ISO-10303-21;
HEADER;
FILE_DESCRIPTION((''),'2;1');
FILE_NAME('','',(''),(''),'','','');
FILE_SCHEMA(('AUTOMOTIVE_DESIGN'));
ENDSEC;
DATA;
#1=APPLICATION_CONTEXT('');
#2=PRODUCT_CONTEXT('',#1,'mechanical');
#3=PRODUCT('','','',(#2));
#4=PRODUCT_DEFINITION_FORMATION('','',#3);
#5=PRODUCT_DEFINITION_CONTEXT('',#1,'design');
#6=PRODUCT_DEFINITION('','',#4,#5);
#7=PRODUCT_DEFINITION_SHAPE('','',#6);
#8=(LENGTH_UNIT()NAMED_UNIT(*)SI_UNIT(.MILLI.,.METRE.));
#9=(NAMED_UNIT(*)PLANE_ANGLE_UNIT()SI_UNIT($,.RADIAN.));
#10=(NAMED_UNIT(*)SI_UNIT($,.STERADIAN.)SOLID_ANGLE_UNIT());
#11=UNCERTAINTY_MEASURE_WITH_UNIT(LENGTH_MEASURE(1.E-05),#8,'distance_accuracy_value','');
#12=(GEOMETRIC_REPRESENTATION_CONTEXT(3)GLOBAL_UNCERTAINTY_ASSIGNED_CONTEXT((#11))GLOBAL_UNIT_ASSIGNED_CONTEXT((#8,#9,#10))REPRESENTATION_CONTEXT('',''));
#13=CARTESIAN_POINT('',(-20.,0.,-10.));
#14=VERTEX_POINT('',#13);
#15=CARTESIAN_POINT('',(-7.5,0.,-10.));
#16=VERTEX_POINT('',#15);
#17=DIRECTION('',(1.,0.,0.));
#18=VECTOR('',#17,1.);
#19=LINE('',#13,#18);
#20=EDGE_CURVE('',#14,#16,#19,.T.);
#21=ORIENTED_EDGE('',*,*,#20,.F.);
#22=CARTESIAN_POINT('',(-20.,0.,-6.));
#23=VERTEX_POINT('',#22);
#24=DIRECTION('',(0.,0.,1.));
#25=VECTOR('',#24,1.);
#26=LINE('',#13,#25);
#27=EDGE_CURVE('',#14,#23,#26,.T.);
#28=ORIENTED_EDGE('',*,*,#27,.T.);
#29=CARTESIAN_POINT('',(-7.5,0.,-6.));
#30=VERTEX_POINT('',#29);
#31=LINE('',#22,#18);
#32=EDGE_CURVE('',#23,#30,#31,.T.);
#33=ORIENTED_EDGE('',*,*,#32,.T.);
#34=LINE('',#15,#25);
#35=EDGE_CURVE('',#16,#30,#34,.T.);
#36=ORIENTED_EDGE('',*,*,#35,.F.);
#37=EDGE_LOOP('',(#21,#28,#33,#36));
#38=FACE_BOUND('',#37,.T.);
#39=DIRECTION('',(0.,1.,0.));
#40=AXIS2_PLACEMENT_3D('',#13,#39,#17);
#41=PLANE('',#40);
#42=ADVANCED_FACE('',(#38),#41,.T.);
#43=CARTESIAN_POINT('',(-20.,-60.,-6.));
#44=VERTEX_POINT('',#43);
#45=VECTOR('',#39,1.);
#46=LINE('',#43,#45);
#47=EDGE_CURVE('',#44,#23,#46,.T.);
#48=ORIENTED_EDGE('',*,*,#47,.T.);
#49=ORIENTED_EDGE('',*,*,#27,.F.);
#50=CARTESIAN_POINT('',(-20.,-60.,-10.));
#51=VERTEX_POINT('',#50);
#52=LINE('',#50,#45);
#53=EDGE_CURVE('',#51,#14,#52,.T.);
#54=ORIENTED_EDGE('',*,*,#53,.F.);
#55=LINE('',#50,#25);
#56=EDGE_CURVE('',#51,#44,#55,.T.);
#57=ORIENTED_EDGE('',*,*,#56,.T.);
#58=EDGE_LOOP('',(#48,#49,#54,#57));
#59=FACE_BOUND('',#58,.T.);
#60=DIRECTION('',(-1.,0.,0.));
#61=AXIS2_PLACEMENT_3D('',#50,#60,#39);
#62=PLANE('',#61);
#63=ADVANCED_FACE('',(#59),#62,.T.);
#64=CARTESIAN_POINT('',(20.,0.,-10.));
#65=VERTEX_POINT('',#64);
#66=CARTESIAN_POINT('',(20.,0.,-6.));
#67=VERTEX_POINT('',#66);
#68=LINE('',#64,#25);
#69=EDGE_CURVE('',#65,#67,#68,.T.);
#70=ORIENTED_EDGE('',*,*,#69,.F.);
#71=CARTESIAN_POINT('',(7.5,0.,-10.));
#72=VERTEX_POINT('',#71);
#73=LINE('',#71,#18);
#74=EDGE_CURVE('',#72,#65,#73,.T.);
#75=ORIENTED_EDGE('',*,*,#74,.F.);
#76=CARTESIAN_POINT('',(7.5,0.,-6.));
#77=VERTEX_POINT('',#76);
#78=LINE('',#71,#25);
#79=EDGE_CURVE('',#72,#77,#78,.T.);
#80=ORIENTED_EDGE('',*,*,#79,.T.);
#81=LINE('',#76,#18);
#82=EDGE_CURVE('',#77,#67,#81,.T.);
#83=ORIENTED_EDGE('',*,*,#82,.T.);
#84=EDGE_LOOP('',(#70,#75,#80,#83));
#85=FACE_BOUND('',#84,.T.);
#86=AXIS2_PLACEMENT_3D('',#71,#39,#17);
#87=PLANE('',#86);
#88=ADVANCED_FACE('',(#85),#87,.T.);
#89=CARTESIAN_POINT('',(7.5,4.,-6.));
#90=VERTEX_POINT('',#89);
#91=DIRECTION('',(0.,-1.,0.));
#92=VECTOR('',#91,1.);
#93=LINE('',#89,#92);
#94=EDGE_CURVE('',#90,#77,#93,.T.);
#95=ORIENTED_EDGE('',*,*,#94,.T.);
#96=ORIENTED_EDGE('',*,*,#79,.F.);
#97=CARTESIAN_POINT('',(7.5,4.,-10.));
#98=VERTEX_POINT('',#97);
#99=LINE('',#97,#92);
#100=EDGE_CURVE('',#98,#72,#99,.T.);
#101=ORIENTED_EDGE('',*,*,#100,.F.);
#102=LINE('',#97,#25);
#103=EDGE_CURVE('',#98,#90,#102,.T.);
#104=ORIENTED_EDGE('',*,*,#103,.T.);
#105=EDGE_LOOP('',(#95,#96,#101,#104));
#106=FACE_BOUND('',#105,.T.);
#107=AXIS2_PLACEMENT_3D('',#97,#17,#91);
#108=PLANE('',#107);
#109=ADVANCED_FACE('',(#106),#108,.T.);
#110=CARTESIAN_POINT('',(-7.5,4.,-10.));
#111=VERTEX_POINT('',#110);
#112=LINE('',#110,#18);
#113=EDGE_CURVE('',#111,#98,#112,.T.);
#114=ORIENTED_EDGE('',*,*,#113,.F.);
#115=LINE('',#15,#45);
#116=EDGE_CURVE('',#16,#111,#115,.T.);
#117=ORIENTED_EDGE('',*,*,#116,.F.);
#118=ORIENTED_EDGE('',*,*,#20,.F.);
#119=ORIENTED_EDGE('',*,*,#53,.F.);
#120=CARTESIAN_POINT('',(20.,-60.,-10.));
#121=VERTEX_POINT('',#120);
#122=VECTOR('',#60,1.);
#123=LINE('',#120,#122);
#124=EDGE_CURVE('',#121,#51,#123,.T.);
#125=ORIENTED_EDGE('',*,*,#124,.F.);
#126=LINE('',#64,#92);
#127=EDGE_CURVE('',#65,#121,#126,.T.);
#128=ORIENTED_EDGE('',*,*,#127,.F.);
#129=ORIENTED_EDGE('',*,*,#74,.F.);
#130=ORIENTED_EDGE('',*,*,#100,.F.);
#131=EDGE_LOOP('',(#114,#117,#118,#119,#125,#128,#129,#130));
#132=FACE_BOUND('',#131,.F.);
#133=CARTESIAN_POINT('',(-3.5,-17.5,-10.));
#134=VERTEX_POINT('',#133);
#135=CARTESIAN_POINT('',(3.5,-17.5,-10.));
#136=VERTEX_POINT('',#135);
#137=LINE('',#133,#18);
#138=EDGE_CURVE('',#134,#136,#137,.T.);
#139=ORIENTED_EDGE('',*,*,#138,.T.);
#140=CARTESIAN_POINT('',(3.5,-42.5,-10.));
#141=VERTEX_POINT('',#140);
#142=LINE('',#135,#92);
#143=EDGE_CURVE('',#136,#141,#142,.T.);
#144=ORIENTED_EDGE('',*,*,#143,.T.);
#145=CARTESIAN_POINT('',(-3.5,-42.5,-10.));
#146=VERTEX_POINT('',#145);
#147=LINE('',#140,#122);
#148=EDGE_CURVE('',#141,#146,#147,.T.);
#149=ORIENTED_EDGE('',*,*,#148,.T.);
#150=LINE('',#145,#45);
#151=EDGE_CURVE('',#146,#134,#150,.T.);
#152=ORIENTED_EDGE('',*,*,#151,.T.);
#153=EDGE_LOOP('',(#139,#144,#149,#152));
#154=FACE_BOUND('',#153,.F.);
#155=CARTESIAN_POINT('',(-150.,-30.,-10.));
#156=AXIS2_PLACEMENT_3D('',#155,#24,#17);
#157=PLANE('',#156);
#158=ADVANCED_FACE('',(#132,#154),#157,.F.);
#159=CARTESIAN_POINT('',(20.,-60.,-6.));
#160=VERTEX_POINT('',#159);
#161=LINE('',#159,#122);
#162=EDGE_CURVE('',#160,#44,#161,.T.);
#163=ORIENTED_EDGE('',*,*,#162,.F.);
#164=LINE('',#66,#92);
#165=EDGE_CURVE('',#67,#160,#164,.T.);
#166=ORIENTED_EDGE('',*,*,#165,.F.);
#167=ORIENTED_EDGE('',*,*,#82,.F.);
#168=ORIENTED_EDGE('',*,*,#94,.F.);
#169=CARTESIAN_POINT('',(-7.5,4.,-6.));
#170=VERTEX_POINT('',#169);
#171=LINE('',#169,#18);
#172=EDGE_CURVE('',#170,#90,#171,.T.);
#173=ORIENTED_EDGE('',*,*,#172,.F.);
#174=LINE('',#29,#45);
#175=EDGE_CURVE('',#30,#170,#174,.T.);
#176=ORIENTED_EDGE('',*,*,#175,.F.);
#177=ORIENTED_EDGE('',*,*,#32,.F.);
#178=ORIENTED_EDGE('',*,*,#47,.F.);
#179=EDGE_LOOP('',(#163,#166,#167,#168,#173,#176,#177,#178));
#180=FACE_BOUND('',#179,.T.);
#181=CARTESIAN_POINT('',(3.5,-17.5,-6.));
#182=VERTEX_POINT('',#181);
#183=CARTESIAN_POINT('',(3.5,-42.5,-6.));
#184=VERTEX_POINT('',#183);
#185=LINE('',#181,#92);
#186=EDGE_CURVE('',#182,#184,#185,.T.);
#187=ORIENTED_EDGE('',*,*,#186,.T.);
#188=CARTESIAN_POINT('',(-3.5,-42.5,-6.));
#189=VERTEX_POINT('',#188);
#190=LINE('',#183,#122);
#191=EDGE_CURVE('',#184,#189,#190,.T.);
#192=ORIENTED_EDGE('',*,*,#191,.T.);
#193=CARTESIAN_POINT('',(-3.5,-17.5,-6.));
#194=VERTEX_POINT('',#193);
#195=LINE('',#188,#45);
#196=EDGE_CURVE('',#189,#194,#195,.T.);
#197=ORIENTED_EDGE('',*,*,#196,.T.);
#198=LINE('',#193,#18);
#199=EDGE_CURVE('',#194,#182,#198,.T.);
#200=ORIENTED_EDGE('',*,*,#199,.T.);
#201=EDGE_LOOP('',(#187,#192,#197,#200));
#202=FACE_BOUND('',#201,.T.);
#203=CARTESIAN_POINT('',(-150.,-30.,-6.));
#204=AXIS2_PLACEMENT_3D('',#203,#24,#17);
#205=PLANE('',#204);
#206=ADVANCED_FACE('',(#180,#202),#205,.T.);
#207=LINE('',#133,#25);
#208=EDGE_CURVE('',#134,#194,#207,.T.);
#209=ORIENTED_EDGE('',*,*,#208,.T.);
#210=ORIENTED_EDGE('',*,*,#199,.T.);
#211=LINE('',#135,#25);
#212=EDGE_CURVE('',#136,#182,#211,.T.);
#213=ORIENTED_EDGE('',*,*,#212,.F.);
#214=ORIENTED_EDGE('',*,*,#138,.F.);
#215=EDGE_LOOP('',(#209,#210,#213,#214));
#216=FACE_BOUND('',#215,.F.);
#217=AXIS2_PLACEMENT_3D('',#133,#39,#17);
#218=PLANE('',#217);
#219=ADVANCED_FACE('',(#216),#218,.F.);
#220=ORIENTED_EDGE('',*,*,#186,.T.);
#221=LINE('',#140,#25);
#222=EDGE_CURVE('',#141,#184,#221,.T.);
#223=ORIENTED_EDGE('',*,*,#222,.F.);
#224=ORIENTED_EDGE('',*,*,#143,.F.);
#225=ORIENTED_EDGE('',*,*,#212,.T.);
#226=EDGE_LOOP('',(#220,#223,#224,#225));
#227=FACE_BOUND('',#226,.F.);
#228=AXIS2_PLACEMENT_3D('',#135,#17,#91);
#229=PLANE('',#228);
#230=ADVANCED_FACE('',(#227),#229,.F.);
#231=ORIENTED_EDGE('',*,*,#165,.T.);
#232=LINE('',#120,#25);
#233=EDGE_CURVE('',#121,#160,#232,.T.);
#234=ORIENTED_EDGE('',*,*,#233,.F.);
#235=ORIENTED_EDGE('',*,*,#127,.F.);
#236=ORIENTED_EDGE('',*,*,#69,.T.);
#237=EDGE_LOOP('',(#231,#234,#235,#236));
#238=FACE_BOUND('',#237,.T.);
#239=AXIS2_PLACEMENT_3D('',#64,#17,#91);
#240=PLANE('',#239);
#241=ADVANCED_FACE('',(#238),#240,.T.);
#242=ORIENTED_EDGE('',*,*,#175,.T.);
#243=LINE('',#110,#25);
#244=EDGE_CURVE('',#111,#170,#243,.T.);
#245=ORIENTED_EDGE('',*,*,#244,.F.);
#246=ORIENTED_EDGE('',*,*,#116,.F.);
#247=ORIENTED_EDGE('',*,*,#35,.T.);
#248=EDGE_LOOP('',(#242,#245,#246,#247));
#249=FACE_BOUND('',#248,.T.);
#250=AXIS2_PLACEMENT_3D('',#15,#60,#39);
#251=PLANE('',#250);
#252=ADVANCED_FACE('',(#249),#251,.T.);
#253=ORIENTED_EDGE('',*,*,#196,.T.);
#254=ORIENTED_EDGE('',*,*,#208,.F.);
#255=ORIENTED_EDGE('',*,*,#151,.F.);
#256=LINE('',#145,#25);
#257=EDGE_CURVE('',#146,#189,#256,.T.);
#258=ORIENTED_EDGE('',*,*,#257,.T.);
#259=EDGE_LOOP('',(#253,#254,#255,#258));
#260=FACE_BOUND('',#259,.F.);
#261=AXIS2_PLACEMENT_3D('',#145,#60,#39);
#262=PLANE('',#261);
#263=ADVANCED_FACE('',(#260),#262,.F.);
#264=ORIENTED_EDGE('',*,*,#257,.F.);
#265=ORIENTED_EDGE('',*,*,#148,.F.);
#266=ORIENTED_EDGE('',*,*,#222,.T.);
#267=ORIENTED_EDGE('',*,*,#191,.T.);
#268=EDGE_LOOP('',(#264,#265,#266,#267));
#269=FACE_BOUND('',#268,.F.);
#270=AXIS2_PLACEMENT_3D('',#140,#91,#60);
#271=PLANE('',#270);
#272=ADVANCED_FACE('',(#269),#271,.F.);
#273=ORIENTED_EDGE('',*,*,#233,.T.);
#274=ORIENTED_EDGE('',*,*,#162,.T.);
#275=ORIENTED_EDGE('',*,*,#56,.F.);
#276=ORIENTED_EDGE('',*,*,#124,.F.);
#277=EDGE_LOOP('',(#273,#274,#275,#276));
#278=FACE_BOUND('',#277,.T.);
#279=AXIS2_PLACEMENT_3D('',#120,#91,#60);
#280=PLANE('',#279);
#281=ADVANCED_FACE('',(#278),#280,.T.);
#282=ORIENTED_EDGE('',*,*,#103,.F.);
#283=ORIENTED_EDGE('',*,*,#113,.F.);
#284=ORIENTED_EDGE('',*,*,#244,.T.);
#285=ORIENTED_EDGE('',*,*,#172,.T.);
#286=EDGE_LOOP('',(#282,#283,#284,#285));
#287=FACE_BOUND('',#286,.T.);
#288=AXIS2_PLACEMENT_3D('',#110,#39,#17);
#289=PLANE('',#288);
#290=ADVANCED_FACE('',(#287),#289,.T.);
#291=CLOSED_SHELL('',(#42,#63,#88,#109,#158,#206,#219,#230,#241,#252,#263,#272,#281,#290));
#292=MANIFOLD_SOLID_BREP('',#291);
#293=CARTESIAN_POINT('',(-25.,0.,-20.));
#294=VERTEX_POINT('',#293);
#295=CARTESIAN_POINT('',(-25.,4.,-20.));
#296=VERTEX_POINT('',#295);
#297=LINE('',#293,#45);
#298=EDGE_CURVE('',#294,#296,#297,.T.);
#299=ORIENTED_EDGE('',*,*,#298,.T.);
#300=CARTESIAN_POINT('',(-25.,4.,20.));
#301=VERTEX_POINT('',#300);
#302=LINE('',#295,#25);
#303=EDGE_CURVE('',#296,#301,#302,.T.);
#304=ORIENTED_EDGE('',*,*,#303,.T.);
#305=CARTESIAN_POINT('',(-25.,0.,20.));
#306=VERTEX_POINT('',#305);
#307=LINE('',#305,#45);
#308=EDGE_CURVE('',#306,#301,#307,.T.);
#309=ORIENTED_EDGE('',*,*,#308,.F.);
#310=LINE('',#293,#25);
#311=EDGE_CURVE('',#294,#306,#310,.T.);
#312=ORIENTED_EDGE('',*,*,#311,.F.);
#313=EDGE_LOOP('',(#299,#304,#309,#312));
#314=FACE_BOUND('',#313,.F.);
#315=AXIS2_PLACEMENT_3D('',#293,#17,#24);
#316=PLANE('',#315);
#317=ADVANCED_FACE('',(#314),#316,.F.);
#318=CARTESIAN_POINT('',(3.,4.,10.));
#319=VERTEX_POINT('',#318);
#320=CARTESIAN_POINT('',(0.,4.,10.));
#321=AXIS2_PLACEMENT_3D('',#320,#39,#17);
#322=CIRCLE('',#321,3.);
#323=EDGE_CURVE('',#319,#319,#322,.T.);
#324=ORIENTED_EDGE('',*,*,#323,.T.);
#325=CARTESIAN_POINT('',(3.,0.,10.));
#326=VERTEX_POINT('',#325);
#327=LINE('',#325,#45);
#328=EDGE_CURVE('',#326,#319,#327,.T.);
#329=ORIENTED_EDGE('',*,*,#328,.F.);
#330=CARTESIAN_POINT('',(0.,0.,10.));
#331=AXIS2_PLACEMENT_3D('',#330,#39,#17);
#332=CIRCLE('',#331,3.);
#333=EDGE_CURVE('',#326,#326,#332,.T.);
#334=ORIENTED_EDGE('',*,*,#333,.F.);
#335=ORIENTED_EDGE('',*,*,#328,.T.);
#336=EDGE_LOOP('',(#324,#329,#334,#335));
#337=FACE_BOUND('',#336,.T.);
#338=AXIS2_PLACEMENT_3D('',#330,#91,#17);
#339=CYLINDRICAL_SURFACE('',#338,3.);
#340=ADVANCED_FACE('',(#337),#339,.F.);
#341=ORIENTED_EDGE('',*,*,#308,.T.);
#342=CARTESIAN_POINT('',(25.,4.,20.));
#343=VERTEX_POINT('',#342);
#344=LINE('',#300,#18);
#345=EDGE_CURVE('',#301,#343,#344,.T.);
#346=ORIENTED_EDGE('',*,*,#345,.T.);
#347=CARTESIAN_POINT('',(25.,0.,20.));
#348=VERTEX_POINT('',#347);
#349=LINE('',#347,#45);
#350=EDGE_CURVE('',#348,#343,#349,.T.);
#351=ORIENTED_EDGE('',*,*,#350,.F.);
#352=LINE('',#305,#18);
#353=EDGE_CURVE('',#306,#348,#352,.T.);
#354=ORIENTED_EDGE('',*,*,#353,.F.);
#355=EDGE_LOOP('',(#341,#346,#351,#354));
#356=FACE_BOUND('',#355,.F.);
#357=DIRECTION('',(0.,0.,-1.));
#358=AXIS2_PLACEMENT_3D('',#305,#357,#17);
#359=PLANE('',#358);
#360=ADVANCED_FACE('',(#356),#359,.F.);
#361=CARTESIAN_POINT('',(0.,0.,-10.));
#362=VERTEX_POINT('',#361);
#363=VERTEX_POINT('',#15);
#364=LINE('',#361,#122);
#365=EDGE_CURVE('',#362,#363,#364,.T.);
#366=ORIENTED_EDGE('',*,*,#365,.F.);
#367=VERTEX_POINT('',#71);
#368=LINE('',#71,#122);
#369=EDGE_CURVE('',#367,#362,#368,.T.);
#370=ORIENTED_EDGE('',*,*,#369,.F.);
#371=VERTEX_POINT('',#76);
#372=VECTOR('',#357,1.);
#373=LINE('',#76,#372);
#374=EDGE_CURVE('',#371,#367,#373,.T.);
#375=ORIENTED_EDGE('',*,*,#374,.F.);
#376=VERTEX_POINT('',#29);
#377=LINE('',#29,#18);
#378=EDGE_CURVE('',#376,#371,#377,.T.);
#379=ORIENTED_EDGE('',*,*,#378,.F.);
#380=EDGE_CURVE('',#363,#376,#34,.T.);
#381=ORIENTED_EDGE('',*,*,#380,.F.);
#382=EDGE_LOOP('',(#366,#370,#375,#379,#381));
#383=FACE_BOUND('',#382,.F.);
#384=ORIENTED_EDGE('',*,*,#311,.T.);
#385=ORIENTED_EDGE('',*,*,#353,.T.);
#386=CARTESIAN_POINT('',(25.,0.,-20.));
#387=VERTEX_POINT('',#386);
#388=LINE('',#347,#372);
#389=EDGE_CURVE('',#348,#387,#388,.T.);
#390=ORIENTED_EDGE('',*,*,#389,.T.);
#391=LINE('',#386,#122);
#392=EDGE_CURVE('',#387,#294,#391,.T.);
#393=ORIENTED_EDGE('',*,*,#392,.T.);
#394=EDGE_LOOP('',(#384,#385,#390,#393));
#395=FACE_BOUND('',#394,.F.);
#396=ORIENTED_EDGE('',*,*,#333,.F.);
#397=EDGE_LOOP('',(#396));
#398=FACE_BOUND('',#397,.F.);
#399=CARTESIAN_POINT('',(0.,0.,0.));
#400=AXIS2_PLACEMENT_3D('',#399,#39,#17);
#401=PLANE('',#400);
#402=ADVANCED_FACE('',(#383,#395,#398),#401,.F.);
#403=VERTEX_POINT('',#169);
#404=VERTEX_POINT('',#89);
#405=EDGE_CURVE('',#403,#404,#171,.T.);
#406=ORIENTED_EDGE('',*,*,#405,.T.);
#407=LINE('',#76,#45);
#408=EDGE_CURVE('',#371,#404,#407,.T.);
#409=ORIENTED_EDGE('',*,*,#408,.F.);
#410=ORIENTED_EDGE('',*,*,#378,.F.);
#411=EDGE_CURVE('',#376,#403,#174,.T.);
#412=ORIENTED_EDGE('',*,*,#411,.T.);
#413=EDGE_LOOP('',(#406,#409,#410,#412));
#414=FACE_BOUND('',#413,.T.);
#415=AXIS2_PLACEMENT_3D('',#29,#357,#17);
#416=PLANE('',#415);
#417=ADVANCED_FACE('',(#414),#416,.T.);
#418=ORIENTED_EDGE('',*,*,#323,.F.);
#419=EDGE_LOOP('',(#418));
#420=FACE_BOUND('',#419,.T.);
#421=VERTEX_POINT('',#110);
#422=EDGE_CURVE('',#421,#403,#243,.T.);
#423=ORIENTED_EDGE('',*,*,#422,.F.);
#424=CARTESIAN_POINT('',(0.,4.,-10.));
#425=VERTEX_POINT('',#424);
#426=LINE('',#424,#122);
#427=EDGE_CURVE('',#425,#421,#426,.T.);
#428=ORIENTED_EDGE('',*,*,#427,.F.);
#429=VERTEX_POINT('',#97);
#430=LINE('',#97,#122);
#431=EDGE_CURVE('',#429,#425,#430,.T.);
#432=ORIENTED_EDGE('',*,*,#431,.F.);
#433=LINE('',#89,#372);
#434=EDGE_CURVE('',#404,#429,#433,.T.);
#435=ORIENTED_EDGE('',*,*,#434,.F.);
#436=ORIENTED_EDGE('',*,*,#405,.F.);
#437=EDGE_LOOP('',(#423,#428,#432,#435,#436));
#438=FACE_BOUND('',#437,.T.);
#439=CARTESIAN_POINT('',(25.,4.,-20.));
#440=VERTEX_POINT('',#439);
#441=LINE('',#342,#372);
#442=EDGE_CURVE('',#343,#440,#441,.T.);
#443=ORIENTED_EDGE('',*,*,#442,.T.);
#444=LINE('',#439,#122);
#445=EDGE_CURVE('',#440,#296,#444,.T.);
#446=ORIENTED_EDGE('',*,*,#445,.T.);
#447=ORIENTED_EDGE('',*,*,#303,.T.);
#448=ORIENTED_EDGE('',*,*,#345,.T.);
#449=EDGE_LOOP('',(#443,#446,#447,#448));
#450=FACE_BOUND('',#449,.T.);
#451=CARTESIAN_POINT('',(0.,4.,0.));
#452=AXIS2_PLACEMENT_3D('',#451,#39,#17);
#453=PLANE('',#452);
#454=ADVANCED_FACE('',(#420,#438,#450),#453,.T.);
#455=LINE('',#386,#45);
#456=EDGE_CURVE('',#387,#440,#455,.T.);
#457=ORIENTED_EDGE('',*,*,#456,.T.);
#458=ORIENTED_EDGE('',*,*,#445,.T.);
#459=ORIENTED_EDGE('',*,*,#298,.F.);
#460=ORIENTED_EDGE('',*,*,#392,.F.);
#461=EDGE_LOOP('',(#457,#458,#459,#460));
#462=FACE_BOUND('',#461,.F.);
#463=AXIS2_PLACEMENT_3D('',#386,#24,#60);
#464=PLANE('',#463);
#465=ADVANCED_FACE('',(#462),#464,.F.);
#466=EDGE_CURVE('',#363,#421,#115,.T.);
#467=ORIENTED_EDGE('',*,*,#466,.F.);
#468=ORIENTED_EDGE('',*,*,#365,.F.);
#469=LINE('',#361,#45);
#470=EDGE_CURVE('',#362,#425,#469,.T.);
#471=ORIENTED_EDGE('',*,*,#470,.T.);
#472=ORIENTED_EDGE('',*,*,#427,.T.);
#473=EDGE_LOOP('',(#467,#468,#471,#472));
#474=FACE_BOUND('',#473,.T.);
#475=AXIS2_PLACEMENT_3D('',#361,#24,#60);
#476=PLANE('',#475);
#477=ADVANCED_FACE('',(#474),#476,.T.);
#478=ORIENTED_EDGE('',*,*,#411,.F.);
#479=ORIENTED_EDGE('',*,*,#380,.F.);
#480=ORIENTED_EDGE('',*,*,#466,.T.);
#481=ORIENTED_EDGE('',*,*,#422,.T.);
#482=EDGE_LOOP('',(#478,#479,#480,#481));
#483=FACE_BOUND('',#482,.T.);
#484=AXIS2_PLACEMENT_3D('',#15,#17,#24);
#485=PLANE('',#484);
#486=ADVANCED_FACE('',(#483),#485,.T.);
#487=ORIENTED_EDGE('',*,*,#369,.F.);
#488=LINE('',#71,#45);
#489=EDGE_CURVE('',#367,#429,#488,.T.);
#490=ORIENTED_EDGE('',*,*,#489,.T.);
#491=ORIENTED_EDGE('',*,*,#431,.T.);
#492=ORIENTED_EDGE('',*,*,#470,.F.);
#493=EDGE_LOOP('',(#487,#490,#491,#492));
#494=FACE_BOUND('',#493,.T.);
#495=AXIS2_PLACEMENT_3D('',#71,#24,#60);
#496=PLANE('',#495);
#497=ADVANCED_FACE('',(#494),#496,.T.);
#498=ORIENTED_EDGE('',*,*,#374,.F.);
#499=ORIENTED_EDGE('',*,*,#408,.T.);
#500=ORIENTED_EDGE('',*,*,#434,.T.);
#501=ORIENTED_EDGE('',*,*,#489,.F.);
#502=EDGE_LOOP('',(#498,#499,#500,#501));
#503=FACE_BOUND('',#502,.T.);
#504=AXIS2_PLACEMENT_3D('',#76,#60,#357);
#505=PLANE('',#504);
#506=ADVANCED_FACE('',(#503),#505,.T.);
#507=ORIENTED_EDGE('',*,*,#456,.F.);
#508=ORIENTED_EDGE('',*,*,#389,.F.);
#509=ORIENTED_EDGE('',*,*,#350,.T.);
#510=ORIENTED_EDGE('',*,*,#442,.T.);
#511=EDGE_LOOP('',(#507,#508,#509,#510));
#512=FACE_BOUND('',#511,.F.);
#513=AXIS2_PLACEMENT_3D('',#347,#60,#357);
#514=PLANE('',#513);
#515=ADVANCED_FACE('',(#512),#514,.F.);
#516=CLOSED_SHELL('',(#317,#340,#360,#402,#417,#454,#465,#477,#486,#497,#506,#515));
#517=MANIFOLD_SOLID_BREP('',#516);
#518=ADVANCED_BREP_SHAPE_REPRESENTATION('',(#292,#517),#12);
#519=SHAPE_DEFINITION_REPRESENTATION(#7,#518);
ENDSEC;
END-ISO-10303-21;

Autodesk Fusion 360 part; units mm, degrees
sketch "Sketch1" plane through (0, 0, 0) normal (0, 1, 0) x (1, 0, 0)
  line L0 (25, 20) -> (-25, 20)
  line L1 (-25, 20) -> (-25, -20)
  line L2 (-25, -20) -> (25, -20)
  line L3 (25, -20) -> (25, 20)
  circle A0 centre (0, -10) radius 3
  line L4 (0, 10) -> (-7.5, 10)
  line L5 (-7.5, 10) -> (-7.5, 6)
  line L6 (-7.5, 6) -> (7.5, 6)
  line L7 (7.5, 6) -> (7.5, 10)
  line L8 (7.5, 10) -> (0, 10)
  dimension "d1" = 50
  dimension "d2" = 40
  dimension "d3" = 6
  dimension "d4" = 7.5
  dimension "d5" = 4
  dimension "d6" = 15
extrude "Extrude1" add sketch "Sketch1" along normal blind 4 makes body 1
sketch "Sketch2" plane through (0, 0, 0) normal (0, 0, 1) x (1, 0, 0)
  line L0 (170, -30) -> (130, -30)
  line L1 (130, -30) -> (130, 30)
  line L2 (170, 30) -> (170, -30)
  line L3 (170, -30) -> (130, 30) construction
  line L4 (130, -30) -> (170, 30) construction
  line L5 (153.5, -12.5) -> (146.5, -12.5)
  line L6 (146.5, -12.5) -> (146.5, 12.5)
  line L7 (146.5, 12.5) -> (153.5, 12.5)
  line L8 (153.5, 12.5) -> (153.5, -12.5)
  line L9 (153.5, -12.5) -> (146.5, 12.5) construction
  line L10 (146.5, -12.5) -> (153.5, 12.5) construction
  line L11 (142.5, 30) -> (142.5, 34)
  line L12 (142.5, 34) -> (157.5, 34)
  line L13 (157.5, 34) -> (157.5, 30)
  line L14 (130, 30) -> (142.5, 30)
  line L15 (157.5, 30) -> (170, 30)
  point P0 (150, 0)
  point P1 (150, 0)
  dimension "d9" = 40
  dimension "d10" = 60
  dimension "d11" = 7
  dimension "d12" = 25
  dimension "d14" = 4
  dimension "d15" = 15
extrude "Extrude2" add sketch "Sketch2" along normal blind 4 separate body makes body 2
copy_body "Body->Comp1" bodies 2 removing the originals makes body 3 in component "Component"
component "Component" placed x (1, 0, 0) y (0, 1, 0) z (0, 0, 1) at (-150, -30, -10)
